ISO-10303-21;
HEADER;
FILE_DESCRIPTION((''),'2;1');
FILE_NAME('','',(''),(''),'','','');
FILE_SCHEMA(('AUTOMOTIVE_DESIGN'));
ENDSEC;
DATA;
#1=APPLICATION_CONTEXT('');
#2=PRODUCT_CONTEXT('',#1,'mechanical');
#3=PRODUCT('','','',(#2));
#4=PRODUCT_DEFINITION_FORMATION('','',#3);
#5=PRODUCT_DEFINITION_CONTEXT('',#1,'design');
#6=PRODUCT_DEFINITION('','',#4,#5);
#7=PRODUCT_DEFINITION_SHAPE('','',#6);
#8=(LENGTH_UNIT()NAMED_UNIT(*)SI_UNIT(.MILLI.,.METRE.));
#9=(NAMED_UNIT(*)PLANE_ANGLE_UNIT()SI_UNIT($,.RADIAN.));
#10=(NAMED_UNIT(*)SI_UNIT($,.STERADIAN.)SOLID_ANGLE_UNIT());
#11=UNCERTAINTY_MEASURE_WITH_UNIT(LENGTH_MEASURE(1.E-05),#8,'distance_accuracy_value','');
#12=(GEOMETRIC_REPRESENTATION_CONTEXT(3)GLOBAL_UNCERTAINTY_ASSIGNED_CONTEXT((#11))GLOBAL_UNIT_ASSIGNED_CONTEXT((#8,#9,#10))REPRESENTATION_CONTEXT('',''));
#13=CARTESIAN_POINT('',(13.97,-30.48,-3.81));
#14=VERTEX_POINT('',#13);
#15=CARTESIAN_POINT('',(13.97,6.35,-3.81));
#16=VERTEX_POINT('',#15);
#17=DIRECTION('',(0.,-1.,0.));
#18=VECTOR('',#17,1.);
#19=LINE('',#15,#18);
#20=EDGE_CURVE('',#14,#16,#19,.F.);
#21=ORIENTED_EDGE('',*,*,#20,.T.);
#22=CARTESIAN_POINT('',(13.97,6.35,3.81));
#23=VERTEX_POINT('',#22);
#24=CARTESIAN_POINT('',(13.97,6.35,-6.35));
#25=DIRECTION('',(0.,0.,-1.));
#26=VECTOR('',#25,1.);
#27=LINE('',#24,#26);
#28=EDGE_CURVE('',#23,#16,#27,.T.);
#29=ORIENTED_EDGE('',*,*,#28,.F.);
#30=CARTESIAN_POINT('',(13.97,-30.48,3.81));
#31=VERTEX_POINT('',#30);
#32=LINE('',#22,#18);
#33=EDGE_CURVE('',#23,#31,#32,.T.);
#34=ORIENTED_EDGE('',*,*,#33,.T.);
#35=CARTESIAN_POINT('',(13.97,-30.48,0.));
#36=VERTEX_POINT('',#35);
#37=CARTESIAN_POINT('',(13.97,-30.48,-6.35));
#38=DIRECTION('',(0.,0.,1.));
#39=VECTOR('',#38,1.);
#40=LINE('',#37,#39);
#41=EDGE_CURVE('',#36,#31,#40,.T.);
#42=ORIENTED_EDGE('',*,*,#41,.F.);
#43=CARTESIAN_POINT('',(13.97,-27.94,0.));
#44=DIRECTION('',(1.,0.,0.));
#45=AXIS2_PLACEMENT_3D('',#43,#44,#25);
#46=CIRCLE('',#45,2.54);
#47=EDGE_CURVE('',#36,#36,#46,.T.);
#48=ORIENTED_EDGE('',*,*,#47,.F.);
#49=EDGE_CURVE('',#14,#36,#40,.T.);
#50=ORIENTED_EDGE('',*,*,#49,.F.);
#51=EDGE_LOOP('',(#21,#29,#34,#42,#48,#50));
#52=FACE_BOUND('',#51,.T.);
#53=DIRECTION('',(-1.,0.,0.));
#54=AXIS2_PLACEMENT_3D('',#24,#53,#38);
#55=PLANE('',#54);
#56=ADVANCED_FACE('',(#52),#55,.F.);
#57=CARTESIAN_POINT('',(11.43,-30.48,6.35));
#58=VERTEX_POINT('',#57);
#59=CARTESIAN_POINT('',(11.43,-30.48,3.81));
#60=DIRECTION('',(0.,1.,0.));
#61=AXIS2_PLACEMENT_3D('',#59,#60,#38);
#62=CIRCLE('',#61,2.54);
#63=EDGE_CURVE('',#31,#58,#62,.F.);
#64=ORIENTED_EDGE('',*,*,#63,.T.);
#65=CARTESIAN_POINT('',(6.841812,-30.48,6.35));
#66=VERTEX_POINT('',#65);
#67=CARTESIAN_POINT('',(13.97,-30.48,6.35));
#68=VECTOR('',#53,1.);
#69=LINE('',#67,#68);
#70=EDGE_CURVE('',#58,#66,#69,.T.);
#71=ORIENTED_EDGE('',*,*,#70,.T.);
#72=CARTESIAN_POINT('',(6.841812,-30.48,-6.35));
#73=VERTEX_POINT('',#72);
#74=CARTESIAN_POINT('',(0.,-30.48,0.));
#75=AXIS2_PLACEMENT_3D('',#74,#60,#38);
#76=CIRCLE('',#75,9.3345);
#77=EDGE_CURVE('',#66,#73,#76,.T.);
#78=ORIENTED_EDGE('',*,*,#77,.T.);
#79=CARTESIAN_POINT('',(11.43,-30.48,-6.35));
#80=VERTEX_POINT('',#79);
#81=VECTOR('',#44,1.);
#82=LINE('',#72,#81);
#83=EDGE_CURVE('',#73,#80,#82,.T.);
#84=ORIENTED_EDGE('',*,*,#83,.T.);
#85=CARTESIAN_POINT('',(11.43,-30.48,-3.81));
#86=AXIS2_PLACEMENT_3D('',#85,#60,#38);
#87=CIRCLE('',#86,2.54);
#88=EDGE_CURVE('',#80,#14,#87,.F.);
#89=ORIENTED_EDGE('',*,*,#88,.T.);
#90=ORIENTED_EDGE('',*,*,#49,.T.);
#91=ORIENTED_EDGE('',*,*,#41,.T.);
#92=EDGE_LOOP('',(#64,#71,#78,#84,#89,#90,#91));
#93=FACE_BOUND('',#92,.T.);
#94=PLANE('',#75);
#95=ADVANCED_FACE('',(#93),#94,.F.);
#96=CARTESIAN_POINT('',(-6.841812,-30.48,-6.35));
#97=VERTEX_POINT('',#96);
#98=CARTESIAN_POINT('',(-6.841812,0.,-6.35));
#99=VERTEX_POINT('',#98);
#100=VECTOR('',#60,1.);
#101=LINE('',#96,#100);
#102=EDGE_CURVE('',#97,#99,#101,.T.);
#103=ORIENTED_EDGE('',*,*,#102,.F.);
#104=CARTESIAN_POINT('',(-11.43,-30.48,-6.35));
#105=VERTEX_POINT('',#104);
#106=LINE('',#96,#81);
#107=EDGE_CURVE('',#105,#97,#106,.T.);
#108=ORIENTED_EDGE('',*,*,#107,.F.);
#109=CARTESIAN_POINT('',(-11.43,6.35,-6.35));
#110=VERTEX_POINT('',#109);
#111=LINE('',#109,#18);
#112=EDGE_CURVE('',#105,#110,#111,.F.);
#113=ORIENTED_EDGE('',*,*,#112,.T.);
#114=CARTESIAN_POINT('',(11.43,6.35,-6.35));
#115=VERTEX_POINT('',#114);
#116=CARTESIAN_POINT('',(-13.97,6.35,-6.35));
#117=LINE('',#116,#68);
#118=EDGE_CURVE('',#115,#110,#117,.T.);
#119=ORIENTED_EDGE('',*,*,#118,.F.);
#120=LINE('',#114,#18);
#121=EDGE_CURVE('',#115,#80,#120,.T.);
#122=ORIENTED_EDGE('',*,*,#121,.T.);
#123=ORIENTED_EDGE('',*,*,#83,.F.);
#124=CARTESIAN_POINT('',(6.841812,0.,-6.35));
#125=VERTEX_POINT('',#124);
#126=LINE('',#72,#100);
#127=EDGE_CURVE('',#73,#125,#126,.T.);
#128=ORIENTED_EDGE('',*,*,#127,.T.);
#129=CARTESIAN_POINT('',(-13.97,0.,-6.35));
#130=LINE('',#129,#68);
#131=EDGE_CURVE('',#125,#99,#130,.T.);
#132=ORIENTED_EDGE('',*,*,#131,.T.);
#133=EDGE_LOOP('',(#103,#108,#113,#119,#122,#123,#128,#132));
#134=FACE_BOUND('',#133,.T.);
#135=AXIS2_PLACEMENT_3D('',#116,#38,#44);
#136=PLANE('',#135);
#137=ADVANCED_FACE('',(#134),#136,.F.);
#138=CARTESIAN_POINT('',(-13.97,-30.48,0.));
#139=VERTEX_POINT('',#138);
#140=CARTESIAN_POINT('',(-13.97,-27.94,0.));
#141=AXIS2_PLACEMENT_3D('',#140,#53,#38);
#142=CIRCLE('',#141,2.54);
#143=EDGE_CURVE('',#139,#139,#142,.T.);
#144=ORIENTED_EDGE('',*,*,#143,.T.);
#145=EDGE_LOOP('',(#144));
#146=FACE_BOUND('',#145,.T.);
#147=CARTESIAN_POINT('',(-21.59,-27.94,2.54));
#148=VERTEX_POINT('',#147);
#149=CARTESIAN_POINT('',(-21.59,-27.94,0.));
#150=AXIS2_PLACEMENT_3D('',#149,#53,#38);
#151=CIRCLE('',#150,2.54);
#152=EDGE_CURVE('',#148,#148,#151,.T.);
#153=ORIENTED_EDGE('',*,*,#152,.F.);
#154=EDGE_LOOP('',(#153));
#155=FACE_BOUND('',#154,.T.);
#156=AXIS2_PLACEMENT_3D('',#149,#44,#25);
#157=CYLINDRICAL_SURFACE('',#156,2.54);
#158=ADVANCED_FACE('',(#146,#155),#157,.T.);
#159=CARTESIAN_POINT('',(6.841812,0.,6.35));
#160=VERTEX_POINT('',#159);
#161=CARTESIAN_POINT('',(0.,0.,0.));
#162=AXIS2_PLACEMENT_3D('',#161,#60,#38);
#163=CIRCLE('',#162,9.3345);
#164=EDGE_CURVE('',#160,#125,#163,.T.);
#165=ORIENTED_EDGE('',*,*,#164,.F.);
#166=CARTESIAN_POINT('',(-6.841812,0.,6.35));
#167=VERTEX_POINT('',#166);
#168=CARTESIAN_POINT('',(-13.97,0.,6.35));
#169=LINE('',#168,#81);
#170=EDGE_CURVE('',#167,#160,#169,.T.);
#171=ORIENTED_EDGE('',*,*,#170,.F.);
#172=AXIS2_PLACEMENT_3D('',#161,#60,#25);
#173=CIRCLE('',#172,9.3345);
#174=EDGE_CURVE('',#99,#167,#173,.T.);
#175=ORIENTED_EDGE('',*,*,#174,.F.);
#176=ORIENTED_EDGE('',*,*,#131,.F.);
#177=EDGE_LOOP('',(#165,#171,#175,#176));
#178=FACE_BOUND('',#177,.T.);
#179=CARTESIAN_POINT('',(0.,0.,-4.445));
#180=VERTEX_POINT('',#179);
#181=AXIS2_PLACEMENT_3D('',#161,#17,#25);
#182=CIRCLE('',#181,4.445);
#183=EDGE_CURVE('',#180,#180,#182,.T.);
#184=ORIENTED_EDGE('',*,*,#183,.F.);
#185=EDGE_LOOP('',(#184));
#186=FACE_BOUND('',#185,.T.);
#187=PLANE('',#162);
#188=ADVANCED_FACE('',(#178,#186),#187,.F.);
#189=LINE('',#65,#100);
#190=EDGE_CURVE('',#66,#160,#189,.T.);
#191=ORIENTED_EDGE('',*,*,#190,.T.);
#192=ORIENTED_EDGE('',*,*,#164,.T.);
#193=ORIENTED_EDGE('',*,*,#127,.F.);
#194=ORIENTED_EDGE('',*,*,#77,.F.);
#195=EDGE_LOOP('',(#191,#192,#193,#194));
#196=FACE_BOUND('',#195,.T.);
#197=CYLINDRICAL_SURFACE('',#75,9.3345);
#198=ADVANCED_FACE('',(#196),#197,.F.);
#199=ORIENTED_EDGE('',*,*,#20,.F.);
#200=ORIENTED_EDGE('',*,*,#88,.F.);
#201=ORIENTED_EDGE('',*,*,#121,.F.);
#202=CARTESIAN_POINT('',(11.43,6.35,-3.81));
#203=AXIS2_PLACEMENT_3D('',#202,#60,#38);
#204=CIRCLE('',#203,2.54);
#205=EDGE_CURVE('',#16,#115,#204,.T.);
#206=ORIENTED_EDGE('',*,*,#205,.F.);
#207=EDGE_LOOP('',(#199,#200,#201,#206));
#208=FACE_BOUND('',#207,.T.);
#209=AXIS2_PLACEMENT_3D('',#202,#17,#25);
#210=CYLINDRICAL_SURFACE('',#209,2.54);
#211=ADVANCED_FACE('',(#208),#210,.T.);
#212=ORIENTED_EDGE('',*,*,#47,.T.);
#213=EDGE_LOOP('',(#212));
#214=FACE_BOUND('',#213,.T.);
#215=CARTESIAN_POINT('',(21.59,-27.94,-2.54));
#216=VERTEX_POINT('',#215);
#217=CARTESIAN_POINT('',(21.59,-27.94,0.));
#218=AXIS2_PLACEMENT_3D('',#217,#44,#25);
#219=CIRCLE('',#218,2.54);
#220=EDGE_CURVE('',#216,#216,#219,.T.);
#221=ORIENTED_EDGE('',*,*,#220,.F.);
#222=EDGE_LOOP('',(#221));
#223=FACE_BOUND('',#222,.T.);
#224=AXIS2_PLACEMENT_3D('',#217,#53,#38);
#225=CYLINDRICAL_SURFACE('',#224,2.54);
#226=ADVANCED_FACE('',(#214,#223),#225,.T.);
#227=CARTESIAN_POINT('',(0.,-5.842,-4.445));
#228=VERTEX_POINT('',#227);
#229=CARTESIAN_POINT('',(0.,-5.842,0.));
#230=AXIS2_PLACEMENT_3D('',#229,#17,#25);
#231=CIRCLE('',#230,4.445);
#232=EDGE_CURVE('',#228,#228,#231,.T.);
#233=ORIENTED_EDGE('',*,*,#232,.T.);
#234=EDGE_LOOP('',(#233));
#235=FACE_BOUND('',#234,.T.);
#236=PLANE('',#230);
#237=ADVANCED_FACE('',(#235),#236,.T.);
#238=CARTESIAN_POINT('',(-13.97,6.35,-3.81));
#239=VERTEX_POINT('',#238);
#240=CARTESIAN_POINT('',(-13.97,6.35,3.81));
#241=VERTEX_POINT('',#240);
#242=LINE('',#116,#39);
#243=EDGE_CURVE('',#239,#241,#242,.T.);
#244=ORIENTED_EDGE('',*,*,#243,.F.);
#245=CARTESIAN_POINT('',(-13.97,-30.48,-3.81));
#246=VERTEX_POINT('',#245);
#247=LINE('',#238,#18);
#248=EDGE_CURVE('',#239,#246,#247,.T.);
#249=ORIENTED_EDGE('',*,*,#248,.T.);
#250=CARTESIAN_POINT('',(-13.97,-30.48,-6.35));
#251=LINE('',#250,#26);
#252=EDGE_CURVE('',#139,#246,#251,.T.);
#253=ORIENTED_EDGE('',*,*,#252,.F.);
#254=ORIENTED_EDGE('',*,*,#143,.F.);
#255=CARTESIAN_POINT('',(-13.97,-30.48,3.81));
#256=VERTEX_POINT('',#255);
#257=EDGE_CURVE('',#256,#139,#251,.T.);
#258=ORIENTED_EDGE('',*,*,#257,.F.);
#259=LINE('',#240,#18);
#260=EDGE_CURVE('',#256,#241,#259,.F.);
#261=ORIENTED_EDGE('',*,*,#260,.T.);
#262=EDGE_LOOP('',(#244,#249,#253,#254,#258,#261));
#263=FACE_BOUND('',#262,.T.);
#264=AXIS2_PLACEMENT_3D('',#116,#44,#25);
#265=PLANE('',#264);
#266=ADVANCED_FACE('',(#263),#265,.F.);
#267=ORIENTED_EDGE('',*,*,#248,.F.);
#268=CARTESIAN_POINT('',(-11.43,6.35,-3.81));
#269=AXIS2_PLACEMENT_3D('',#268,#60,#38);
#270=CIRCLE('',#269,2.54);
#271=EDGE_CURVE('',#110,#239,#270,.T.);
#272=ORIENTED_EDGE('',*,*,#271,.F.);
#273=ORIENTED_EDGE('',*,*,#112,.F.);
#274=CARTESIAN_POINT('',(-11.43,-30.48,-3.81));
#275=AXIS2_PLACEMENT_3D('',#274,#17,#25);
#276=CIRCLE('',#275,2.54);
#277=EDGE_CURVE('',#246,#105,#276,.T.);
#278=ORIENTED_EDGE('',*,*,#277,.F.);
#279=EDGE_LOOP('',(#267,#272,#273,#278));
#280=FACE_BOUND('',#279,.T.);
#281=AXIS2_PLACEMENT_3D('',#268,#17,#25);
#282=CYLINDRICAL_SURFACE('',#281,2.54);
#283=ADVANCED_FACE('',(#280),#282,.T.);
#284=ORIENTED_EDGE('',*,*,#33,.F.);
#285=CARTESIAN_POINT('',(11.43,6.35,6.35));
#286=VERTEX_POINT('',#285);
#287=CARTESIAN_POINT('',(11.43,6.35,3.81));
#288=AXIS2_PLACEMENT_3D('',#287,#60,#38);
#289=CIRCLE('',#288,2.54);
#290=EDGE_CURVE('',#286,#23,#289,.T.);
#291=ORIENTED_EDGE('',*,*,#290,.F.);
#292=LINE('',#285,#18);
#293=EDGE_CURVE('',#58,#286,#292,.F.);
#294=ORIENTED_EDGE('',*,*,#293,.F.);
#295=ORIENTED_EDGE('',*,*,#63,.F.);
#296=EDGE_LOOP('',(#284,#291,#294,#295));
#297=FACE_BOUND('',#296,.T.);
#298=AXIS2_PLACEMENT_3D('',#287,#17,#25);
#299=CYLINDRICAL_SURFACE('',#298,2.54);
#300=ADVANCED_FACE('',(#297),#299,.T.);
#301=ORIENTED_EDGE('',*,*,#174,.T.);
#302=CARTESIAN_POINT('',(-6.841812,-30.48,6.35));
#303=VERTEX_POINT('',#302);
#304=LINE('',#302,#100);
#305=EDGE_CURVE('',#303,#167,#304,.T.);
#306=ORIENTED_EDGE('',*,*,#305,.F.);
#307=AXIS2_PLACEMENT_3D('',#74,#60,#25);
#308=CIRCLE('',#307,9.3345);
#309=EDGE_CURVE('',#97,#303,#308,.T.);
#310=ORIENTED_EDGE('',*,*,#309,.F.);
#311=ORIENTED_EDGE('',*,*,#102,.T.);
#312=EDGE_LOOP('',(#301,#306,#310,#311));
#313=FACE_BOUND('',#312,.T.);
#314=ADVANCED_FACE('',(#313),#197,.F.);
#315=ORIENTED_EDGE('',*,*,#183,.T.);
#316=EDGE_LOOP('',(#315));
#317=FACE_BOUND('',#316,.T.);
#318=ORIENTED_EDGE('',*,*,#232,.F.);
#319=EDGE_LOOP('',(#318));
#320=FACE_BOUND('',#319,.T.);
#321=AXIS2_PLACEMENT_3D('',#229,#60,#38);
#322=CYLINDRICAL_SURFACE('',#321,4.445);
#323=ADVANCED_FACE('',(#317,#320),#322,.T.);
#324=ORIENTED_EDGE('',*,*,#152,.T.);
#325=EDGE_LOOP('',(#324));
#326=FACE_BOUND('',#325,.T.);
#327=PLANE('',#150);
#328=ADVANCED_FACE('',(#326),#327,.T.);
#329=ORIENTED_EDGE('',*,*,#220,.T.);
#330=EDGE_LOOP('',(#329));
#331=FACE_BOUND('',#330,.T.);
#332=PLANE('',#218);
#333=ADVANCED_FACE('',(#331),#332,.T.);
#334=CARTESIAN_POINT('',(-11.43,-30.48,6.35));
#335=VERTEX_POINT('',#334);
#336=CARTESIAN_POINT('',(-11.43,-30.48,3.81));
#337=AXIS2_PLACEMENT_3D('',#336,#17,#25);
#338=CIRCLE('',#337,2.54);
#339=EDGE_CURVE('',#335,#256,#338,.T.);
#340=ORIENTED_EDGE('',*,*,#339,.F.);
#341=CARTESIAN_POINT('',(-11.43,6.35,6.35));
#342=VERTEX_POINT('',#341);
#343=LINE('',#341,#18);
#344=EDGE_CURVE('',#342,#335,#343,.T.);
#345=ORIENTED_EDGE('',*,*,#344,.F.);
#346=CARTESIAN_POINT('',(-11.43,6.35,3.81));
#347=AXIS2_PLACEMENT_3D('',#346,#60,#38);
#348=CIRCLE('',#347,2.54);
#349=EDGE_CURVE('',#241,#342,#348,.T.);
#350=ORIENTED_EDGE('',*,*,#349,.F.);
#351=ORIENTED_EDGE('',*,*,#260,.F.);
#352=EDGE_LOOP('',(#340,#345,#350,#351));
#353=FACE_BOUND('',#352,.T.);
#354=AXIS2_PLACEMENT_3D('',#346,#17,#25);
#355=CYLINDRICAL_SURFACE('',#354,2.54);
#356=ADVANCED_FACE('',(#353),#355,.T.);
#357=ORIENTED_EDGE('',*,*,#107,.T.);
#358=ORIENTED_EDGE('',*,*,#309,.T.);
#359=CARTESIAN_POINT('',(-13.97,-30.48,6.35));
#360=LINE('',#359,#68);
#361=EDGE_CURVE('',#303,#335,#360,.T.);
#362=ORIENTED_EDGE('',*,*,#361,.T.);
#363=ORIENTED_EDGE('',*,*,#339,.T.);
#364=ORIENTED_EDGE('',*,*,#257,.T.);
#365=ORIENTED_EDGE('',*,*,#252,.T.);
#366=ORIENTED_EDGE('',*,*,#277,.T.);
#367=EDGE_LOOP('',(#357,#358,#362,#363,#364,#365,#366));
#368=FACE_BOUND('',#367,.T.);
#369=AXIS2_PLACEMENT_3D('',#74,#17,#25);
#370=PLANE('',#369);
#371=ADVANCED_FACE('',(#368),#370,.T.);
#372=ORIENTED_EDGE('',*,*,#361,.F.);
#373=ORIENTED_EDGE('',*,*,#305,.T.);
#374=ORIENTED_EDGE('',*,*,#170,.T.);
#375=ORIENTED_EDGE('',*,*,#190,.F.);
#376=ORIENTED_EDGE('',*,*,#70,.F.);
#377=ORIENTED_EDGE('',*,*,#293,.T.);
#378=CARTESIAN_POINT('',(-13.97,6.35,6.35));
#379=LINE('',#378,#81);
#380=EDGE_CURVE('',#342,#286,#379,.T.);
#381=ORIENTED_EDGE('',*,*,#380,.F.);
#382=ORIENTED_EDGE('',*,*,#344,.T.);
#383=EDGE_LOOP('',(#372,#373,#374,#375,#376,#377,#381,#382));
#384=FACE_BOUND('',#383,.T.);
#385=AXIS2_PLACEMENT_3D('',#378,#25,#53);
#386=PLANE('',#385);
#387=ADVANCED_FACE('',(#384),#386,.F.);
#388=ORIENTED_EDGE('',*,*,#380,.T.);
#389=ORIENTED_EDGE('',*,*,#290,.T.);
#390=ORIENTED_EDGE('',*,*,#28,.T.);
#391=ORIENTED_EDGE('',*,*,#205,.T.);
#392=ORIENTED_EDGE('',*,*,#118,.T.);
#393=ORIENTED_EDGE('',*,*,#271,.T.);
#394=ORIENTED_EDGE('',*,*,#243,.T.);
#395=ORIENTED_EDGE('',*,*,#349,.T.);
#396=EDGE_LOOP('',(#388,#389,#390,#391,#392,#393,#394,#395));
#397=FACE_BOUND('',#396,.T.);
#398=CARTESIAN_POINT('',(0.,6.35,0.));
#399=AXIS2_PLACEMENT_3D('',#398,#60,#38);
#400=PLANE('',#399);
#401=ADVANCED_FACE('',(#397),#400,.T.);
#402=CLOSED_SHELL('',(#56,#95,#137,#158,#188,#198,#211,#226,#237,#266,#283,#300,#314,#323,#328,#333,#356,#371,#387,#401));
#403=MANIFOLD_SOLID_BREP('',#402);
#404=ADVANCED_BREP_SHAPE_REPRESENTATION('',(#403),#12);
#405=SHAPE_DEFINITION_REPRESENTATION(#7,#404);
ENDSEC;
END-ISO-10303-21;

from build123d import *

# Parameters (mm, degrees)
SKETCH1_W           = 27.94
SKETCH1_H           = 12.7
BOSS_EXTRUDE1_DEPTH = 6.35
SKETCH2_R           = 4.445
BOSS_EXTRUDE2_DEPTH = 5.842
BOSS_EXTRUDE3_DEPTH = 30.48
SKETCH4_R           = 2.54
BOSS_EXTRUDE4_DEPTH = 7.62
SKETCH5_R           = 2.54
BOSS_EXTRUDE5_DEPTH = 7.62
FILLET1_R           = 2.54


with BuildPart() as part:
    # Sketch1 → Boss-Extrude1 (new body)
    with BuildSketch(Plane(origin=(0, 0, 0), x_dir=(1, 0, 0), z_dir=(0, 1, 0))):
        Rectangle(SKETCH1_W, SKETCH1_H)
    extrude(amount=BOSS_EXTRUDE1_DEPTH)

    # Sketch2 → Boss-Extrude2 (add)
    with BuildSketch(Plane.XZ):
        Circle(SKETCH2_R)
    extrude(amount=BOSS_EXTRUDE2_DEPTH)

    # Sketch3 → Boss-Extrude3 (add)
    with BuildSketch(Plane.XZ):
        with BuildLine():
            Line((-13.97, -6.35), (-13.97, 6.35))
            Line((-13.97, 6.35), (-6.841811913, 6.35))
            ThreePointArc((-6.841811913, 6.35), (-9.3345, 0), (-6.841811913, -6.35))
            Line((-6.841811913, -6.35), (-13.97, -6.35))
        make_face()
        with BuildLine():
            Line((6.841811913, -6.35), (13.97, -6.35))
            Line((13.97, -6.35), (13.97, 6.35))
            Line((13.97, 6.35), (6.841811913, 6.35))
            ThreePointArc((6.841811913, 6.35), (9.3345, 0), (6.841811913, -6.35))
        make_face()
    extrude(amount=BOSS_EXTRUDE3_DEPTH)

    # Sketch4 → Boss-Extrude4 (add)
    with BuildSketch(Plane.ZY.offset(13.97)):
        with Locations((0, -27.94)):
            Circle(SKETCH4_R)
    extrude(amount=BOSS_EXTRUDE4_DEPTH)

    # Sketch5 → Boss-Extrude5 (add)
    with BuildSketch(Plane(origin=(13.97, 0, 0), x_dir=(0, 0, -1), z_dir=(1, 0, 0))):
        with Locations((0, -27.94)):
            Circle(SKETCH5_R)
    extrude(amount=BOSS_EXTRUDE5_DEPTH)

    # Fillet1
    fillet1_edges = [part.edges().sort_by_distance(p)[0] for p in [
        (-13.97, -12.065, -6.35),
        (13.97, -12.065, -6.35),
        (13.97, -12.065, 6.35),
        (-13.97, -12.065, 6.35),
    ]]
    fillet(fillet1_edges, radius=FILLET1_R)


solid = part.part
